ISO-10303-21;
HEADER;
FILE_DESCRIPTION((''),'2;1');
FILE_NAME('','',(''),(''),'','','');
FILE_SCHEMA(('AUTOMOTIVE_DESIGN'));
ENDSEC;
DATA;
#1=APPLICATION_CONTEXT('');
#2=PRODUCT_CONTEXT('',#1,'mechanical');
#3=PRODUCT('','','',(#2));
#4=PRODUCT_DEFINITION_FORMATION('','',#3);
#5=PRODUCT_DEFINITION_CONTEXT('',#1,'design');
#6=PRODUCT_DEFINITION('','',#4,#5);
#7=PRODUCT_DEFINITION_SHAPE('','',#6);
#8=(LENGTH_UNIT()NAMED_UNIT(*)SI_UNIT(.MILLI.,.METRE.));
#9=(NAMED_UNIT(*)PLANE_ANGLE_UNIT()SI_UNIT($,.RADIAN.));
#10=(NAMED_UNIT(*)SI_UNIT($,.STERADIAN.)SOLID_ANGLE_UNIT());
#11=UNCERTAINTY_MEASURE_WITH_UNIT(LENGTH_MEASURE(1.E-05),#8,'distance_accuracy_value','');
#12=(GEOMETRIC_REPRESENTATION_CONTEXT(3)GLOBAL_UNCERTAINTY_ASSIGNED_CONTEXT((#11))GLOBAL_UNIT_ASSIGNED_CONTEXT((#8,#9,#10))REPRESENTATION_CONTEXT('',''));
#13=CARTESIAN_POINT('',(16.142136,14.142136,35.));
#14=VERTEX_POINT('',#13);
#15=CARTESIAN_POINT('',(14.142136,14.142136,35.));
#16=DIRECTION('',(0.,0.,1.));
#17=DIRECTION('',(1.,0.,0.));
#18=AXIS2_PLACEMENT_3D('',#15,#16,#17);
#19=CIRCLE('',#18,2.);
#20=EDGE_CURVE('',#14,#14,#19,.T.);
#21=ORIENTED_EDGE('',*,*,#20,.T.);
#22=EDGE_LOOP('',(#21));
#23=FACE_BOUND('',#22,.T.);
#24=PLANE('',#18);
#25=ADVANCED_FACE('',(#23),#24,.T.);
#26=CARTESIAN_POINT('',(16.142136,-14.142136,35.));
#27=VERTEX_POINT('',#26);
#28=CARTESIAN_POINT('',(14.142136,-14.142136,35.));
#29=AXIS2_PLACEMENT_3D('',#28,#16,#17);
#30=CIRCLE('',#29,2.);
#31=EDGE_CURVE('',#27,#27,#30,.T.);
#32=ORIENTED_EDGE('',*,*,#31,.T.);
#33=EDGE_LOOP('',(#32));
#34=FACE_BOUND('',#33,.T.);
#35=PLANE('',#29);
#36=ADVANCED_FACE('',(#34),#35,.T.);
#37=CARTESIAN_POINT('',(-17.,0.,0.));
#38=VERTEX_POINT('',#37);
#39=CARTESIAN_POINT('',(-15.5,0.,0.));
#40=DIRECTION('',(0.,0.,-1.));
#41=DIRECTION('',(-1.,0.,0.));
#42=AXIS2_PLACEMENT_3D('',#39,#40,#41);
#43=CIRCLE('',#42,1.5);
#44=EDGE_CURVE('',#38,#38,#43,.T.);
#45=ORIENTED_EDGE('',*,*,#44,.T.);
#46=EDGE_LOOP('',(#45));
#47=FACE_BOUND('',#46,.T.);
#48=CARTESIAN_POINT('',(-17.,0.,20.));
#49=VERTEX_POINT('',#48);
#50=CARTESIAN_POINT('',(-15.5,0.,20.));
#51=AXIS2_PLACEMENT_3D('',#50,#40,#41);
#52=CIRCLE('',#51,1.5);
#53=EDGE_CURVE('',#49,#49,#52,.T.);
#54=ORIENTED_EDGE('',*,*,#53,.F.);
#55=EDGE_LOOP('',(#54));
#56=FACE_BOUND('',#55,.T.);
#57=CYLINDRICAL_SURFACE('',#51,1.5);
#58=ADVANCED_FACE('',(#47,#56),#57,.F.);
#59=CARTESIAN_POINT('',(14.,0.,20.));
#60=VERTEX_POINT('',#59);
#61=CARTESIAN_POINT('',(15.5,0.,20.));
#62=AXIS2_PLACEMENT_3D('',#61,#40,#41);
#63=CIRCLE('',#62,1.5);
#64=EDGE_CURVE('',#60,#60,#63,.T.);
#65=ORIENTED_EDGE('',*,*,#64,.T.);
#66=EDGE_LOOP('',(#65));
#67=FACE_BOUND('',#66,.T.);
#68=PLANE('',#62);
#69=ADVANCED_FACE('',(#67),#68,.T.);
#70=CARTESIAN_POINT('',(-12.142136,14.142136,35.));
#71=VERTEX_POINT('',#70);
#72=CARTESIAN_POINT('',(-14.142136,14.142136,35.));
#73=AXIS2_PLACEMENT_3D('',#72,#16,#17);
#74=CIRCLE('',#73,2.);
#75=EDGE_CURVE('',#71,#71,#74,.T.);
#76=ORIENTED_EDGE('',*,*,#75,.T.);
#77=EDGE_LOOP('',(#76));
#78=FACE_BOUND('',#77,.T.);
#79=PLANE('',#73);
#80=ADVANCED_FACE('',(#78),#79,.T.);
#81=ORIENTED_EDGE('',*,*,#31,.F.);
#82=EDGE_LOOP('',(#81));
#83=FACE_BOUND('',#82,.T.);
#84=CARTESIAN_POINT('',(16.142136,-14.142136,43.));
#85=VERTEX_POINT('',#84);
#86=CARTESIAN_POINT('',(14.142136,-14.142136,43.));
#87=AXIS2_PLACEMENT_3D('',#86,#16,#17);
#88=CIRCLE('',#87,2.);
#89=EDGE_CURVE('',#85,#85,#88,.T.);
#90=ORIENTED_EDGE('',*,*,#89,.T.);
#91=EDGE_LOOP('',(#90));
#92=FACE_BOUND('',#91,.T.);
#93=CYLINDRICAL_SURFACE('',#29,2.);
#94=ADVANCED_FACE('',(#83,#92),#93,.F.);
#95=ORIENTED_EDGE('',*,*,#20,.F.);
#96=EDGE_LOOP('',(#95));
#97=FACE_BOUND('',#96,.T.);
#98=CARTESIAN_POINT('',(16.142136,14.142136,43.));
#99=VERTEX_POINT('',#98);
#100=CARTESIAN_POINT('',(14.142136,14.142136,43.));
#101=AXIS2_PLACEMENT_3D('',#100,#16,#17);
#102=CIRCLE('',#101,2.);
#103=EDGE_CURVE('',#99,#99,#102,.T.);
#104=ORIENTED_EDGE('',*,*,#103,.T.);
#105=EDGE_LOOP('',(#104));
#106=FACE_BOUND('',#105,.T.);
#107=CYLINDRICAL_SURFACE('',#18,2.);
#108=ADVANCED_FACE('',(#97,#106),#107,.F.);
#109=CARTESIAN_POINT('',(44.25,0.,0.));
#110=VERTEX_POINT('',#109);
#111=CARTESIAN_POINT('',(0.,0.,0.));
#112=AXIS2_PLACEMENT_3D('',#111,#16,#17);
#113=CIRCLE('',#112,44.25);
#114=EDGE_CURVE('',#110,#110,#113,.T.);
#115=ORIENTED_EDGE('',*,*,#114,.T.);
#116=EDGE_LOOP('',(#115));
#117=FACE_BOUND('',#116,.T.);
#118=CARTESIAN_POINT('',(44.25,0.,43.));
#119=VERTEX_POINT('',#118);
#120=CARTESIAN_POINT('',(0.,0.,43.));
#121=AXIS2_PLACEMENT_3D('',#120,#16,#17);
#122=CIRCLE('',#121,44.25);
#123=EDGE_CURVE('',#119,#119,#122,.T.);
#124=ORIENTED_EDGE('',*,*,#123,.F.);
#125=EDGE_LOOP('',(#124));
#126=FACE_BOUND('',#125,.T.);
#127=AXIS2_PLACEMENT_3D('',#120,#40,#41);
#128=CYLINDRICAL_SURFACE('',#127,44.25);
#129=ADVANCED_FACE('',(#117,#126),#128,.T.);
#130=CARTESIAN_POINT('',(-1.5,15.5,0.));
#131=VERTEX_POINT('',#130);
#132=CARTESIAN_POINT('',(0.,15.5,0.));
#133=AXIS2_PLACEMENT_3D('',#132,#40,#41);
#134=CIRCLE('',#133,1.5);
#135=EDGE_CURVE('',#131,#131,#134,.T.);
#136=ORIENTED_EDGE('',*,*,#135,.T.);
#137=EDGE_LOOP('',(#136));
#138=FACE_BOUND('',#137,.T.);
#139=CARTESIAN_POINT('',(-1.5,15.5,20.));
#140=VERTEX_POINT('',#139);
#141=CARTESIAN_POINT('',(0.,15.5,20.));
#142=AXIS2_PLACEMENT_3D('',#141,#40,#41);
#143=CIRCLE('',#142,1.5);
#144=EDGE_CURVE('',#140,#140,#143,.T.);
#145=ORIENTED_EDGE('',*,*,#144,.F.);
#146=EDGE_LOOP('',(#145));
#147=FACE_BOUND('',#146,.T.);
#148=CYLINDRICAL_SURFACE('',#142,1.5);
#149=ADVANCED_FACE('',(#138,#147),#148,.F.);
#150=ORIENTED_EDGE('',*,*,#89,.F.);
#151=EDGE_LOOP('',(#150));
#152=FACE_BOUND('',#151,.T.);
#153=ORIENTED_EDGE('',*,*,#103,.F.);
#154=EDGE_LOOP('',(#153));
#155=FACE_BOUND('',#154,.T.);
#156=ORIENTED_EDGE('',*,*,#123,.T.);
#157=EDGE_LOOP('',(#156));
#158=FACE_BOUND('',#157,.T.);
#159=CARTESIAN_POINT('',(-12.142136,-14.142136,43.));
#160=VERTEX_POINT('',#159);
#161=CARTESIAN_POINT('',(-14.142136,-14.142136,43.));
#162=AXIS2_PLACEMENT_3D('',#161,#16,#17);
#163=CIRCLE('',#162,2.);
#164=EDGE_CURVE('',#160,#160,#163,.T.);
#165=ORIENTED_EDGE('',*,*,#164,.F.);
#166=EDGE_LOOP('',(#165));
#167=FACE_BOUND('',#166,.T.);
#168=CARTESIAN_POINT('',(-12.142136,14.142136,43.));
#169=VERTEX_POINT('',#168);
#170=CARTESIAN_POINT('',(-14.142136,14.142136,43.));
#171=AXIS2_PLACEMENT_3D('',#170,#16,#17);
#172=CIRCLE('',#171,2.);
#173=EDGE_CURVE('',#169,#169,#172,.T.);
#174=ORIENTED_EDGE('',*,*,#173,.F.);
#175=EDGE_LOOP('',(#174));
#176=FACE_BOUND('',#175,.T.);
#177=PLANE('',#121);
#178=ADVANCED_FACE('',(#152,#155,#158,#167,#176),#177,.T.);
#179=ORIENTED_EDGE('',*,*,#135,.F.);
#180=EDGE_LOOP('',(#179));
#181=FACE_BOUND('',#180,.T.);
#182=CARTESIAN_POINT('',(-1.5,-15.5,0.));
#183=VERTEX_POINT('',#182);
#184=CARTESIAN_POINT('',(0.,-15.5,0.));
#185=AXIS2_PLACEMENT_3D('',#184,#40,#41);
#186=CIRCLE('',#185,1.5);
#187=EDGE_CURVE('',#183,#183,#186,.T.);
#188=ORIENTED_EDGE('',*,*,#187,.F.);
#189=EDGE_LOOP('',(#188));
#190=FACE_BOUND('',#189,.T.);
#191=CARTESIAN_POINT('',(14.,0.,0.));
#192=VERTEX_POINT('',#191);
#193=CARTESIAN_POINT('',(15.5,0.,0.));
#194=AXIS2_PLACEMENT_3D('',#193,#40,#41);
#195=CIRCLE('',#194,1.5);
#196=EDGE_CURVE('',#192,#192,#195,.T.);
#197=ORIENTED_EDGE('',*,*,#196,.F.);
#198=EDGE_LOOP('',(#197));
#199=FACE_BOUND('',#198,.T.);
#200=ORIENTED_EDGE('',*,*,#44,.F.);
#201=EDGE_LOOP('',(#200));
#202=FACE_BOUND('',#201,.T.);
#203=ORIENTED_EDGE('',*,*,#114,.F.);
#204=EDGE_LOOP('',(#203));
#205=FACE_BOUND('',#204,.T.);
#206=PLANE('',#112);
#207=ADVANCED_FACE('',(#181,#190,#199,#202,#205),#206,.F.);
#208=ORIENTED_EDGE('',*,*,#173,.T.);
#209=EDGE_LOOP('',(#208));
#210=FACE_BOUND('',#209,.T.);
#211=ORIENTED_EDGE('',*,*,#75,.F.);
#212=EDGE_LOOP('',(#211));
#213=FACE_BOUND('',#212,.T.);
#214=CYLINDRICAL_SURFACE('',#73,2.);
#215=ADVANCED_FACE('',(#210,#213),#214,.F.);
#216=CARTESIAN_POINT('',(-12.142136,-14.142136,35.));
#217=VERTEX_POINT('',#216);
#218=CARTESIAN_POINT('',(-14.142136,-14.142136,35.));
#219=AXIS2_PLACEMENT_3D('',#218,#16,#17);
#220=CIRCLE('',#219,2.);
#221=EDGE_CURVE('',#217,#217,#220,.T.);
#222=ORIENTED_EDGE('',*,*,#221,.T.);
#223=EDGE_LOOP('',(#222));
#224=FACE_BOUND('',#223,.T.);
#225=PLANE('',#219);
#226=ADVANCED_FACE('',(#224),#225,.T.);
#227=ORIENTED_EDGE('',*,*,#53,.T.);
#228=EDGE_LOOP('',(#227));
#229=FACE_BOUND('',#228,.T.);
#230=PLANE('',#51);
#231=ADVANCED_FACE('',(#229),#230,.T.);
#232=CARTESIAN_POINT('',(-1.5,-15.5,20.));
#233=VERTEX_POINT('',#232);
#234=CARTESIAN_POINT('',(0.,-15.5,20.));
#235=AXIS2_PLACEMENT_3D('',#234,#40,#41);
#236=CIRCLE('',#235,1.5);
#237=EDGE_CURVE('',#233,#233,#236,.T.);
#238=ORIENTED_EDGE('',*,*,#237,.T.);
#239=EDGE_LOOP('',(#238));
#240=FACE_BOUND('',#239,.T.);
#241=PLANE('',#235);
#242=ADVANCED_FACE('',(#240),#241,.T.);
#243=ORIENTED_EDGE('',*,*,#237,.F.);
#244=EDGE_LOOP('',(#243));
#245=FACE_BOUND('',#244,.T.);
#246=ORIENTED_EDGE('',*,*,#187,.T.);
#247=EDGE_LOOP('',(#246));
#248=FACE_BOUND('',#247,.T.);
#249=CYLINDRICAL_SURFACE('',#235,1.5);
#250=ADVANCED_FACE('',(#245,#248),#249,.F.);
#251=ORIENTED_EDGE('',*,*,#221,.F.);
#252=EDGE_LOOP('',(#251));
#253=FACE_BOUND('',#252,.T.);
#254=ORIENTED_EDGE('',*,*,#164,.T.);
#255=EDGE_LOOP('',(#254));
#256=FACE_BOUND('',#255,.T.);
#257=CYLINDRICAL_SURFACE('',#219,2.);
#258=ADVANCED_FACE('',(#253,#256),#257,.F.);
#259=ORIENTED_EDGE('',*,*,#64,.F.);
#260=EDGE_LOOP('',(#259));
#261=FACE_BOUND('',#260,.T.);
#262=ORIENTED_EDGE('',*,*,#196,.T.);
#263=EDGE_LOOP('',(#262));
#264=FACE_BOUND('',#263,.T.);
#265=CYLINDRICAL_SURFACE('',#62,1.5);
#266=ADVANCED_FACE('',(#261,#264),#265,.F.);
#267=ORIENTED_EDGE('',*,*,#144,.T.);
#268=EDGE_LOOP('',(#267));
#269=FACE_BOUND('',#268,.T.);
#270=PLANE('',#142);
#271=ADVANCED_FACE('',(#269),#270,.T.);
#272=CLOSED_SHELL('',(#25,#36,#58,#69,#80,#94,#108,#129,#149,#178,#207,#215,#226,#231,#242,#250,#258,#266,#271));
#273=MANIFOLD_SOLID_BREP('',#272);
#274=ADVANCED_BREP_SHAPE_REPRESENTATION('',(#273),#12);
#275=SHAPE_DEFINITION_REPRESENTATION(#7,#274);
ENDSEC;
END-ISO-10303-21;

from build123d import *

# Parameters (mm, degrees)
SKETCH_1_R          = 44.25
EXTRUDE_1_DEPTH     = 43
SKETCH_2_R          = 2
CUT_EXTRUDE_1_DEPTH = 8
SKETCH_3_R          = 1.5
CUT_EXTRUDE_2_DEPTH = 20


with BuildPart() as part:
    # 草图1 → 凸台-拉伸1 (new body)
    with BuildSketch(Plane.XY):
        Circle(SKETCH_1_R)
    extrude(amount=EXTRUDE_1_DEPTH)

    # 草图2 → 切除-拉伸1 (cut)
    with BuildSketch(Plane.XY.offset(43)):
        with Locations((-14.142135624, 14.142135624)):
            Circle(SKETCH_2_R)
        with Locations((14.142135624, 14.142135624)):
            Circle(SKETCH_2_R)
        with Locations((-14.142135624, -14.142135624)):
            Circle(SKETCH_2_R)
        with Locations((14.142135624, -14.142135624)):
            Circle(SKETCH_2_R)
    extrude(amount=-CUT_EXTRUDE_1_DEPTH, mode=Mode.SUBTRACT)

    # 草图3 → 切除-拉伸2 (cut)
    with BuildSketch(Plane(origin=(0, 0, 0), x_dir=(-1, 0, 0), z_dir=(0, 0, -1))):
        with Locations((0, 15.5)):
            Circle(SKETCH_3_R)
        with Locations((15.5, 0)):
            Circle(SKETCH_3_R)
        with Locations((-15.5, 0)):
            Circle(SKETCH_3_R)
        with Locations((0, -15.5)):
            Circle(SKETCH_3_R)
    extrude(amount=-CUT_EXTRUDE_2_DEPTH, mode=Mode.SUBTRACT)


solid = part.part
